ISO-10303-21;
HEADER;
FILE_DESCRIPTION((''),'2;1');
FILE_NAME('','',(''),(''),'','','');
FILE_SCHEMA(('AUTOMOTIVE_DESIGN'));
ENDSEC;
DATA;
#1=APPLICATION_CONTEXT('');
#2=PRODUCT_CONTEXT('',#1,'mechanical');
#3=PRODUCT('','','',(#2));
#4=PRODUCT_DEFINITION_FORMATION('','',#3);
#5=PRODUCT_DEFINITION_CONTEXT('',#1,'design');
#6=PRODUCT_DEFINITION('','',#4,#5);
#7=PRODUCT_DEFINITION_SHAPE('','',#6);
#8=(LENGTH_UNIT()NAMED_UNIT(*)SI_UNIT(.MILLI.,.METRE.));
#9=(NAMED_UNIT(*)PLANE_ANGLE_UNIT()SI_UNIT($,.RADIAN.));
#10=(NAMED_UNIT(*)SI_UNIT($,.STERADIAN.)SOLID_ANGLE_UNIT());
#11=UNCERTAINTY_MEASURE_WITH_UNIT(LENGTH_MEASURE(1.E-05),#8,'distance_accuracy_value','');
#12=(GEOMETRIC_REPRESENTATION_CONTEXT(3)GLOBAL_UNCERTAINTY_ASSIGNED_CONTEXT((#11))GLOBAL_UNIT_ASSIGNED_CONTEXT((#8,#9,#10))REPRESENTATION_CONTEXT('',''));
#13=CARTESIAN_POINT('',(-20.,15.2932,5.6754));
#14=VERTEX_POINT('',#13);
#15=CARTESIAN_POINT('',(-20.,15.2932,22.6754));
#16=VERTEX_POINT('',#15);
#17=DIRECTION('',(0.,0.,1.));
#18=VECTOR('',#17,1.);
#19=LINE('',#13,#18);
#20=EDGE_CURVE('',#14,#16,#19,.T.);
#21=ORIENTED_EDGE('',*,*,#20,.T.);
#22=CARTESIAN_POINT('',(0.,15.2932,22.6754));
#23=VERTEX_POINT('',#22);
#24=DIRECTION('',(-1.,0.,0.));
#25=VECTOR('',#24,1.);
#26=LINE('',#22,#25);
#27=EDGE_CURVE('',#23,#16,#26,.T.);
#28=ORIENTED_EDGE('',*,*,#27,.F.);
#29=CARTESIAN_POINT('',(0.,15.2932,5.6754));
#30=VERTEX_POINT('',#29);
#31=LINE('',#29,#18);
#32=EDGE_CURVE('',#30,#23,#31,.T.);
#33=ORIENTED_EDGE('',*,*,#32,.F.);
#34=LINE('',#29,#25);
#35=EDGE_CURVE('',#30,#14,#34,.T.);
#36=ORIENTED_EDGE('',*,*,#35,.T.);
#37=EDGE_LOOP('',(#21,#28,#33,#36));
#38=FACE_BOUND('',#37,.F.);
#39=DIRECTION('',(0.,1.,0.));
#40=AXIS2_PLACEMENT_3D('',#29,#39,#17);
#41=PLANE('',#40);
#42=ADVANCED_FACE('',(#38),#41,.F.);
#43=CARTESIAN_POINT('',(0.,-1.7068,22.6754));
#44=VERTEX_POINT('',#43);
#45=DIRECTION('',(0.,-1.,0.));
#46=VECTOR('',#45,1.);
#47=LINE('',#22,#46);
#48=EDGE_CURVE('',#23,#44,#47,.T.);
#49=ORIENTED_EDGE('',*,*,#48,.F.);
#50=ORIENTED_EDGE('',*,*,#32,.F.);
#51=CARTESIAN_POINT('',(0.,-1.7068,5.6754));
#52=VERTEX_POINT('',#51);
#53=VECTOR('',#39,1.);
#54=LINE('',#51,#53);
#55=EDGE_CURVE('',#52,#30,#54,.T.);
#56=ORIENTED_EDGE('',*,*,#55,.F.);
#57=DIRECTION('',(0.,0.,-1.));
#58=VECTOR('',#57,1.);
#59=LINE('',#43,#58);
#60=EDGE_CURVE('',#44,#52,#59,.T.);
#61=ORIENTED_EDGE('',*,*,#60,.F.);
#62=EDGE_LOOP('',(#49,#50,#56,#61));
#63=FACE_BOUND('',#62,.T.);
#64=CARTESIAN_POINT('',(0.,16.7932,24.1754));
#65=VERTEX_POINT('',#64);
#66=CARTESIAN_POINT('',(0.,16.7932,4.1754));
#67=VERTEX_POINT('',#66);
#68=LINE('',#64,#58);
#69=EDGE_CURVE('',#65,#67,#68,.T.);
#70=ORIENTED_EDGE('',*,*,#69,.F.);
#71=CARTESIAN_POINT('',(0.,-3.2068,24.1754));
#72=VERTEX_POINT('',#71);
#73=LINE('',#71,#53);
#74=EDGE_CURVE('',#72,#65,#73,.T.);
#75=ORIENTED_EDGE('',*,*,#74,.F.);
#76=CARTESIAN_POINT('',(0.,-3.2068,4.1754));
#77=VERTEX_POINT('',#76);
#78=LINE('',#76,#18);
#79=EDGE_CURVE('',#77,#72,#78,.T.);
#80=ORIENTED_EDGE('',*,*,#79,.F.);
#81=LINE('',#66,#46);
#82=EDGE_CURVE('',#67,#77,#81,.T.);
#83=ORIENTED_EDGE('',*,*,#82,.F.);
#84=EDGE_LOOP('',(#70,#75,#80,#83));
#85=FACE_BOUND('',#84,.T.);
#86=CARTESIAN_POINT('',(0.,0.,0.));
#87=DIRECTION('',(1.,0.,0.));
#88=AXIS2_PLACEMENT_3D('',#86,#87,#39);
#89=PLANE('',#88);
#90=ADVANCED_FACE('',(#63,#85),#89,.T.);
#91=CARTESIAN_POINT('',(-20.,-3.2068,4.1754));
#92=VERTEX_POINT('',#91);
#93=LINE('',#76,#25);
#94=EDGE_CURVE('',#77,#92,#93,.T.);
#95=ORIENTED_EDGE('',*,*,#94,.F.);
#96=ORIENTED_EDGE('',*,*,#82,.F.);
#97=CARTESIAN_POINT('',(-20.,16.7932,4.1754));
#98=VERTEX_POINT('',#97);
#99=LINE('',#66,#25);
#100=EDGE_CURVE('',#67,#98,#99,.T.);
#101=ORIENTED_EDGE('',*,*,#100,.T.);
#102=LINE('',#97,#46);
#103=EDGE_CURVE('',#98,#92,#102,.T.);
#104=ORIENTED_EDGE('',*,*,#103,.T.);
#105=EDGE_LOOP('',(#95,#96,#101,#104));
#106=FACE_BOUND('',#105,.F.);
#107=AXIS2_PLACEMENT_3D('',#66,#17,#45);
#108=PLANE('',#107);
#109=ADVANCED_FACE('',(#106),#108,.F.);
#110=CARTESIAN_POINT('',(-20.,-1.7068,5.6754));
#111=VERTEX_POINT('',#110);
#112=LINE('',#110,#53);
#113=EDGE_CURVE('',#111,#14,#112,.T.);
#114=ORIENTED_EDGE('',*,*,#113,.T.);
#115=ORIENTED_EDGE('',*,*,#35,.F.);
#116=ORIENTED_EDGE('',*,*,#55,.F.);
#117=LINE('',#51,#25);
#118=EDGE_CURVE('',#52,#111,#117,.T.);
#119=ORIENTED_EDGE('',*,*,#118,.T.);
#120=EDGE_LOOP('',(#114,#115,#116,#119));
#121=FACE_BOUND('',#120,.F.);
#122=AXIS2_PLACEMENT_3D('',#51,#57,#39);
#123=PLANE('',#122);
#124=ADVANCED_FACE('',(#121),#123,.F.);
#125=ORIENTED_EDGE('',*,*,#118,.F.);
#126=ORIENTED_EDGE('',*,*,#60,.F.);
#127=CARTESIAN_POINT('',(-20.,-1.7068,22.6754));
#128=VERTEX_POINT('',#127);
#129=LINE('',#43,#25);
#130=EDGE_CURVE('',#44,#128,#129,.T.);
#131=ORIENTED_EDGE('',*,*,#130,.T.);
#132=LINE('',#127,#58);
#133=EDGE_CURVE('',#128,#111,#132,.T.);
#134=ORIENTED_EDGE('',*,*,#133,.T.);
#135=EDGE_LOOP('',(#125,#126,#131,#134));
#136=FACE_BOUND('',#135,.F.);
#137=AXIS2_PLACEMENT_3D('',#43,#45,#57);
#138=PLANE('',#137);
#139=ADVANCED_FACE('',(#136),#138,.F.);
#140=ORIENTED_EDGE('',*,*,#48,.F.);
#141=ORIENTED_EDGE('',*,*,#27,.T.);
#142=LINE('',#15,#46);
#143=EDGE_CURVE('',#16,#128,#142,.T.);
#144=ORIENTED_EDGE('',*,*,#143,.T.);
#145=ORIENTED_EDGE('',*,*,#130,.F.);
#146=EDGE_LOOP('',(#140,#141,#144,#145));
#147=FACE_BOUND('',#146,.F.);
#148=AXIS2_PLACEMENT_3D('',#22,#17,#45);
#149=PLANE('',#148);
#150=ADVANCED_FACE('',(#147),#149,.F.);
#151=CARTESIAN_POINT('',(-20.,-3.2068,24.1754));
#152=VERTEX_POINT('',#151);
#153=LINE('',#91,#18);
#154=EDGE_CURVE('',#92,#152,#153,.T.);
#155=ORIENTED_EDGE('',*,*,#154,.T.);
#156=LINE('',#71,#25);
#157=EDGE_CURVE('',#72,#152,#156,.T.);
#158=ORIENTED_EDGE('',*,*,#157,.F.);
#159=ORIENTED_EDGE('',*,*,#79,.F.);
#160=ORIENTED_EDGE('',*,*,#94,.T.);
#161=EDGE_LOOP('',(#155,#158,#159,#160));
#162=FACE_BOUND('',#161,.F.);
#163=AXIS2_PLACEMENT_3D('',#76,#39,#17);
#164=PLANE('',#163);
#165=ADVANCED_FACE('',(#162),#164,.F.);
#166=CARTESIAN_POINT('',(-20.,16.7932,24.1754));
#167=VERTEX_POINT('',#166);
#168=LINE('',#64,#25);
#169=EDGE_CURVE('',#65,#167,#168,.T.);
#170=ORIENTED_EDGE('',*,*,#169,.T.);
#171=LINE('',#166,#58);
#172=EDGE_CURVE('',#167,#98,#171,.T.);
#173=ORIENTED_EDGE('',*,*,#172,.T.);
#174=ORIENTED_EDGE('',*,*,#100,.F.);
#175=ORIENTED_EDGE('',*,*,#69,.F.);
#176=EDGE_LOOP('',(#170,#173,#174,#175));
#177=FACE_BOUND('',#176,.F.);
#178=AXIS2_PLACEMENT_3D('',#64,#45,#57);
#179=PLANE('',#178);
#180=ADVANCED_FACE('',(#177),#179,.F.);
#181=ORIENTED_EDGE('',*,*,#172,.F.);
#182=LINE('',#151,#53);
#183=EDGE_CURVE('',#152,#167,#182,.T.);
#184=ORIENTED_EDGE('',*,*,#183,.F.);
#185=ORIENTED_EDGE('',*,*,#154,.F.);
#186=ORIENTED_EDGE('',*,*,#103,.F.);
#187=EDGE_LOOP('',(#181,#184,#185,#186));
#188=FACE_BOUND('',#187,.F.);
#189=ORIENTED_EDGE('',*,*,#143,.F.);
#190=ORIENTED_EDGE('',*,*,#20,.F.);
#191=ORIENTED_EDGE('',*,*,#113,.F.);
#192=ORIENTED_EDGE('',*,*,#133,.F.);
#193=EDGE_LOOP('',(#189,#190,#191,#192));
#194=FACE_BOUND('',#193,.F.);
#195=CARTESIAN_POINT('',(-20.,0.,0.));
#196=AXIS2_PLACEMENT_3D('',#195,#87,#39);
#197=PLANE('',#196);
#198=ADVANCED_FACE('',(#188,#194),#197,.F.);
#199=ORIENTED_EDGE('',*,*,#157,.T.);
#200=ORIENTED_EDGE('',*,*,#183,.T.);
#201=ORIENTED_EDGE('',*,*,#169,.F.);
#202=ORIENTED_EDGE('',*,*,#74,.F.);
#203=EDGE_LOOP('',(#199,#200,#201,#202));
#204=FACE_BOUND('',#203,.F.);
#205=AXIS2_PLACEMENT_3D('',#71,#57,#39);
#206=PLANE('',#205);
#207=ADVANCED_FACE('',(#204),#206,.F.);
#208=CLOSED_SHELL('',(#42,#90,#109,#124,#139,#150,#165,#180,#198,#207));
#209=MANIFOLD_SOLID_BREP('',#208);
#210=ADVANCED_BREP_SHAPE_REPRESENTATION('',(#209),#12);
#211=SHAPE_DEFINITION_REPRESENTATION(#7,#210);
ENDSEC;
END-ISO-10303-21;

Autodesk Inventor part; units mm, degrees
ref_plane "YZ Plane" through (0, 0, 0) normal (1, 0, 0) x (0, 1, 0)
ref_plane "XZ Plane" through (0, 0, 0) normal (0, 1, 0) x (-1, 0, 0)
ref_plane "XY Plane" through (0, 0, 0) normal (0, 0, 1) x (1, 0, 0)
sketch "Эскиз1" plane through (0, 0, 0) normal (1, 0, 0) x (0, 1, 0)
  line L0 (16.7932, 4.1754) -> (-3.2068, 4.1754) projected
  line L1 (-3.2068, 4.1754) -> (-3.2068, 24.1754)
  line L2 (-3.2068, 24.1754) -> (16.7932, 24.1754)
  line L3 (16.7932, 24.1754) -> (16.7932, 4.1754)
  line L4 (-1.7068, 5.6754) -> (15.2932, 5.6754)
  line L5 (15.2932, 5.6754) -> (15.2932, 22.6754)
  line L6 (15.2932, 22.6754) -> (-1.7068, 22.6754)
  line L7 (-1.7068, 22.6754) -> (-1.7068, 5.6754)
  point P0 (6.7932, 5.6754)
  point P1 (6.7932, 4.1754)
  dimension "d1" = 20
  dimension "d2" = 1.5
  dimension "d3" = 1.5
extrude "Выдавливание1" add sketch "Эскиз1" against normal blind 20
properties part number "arm"
